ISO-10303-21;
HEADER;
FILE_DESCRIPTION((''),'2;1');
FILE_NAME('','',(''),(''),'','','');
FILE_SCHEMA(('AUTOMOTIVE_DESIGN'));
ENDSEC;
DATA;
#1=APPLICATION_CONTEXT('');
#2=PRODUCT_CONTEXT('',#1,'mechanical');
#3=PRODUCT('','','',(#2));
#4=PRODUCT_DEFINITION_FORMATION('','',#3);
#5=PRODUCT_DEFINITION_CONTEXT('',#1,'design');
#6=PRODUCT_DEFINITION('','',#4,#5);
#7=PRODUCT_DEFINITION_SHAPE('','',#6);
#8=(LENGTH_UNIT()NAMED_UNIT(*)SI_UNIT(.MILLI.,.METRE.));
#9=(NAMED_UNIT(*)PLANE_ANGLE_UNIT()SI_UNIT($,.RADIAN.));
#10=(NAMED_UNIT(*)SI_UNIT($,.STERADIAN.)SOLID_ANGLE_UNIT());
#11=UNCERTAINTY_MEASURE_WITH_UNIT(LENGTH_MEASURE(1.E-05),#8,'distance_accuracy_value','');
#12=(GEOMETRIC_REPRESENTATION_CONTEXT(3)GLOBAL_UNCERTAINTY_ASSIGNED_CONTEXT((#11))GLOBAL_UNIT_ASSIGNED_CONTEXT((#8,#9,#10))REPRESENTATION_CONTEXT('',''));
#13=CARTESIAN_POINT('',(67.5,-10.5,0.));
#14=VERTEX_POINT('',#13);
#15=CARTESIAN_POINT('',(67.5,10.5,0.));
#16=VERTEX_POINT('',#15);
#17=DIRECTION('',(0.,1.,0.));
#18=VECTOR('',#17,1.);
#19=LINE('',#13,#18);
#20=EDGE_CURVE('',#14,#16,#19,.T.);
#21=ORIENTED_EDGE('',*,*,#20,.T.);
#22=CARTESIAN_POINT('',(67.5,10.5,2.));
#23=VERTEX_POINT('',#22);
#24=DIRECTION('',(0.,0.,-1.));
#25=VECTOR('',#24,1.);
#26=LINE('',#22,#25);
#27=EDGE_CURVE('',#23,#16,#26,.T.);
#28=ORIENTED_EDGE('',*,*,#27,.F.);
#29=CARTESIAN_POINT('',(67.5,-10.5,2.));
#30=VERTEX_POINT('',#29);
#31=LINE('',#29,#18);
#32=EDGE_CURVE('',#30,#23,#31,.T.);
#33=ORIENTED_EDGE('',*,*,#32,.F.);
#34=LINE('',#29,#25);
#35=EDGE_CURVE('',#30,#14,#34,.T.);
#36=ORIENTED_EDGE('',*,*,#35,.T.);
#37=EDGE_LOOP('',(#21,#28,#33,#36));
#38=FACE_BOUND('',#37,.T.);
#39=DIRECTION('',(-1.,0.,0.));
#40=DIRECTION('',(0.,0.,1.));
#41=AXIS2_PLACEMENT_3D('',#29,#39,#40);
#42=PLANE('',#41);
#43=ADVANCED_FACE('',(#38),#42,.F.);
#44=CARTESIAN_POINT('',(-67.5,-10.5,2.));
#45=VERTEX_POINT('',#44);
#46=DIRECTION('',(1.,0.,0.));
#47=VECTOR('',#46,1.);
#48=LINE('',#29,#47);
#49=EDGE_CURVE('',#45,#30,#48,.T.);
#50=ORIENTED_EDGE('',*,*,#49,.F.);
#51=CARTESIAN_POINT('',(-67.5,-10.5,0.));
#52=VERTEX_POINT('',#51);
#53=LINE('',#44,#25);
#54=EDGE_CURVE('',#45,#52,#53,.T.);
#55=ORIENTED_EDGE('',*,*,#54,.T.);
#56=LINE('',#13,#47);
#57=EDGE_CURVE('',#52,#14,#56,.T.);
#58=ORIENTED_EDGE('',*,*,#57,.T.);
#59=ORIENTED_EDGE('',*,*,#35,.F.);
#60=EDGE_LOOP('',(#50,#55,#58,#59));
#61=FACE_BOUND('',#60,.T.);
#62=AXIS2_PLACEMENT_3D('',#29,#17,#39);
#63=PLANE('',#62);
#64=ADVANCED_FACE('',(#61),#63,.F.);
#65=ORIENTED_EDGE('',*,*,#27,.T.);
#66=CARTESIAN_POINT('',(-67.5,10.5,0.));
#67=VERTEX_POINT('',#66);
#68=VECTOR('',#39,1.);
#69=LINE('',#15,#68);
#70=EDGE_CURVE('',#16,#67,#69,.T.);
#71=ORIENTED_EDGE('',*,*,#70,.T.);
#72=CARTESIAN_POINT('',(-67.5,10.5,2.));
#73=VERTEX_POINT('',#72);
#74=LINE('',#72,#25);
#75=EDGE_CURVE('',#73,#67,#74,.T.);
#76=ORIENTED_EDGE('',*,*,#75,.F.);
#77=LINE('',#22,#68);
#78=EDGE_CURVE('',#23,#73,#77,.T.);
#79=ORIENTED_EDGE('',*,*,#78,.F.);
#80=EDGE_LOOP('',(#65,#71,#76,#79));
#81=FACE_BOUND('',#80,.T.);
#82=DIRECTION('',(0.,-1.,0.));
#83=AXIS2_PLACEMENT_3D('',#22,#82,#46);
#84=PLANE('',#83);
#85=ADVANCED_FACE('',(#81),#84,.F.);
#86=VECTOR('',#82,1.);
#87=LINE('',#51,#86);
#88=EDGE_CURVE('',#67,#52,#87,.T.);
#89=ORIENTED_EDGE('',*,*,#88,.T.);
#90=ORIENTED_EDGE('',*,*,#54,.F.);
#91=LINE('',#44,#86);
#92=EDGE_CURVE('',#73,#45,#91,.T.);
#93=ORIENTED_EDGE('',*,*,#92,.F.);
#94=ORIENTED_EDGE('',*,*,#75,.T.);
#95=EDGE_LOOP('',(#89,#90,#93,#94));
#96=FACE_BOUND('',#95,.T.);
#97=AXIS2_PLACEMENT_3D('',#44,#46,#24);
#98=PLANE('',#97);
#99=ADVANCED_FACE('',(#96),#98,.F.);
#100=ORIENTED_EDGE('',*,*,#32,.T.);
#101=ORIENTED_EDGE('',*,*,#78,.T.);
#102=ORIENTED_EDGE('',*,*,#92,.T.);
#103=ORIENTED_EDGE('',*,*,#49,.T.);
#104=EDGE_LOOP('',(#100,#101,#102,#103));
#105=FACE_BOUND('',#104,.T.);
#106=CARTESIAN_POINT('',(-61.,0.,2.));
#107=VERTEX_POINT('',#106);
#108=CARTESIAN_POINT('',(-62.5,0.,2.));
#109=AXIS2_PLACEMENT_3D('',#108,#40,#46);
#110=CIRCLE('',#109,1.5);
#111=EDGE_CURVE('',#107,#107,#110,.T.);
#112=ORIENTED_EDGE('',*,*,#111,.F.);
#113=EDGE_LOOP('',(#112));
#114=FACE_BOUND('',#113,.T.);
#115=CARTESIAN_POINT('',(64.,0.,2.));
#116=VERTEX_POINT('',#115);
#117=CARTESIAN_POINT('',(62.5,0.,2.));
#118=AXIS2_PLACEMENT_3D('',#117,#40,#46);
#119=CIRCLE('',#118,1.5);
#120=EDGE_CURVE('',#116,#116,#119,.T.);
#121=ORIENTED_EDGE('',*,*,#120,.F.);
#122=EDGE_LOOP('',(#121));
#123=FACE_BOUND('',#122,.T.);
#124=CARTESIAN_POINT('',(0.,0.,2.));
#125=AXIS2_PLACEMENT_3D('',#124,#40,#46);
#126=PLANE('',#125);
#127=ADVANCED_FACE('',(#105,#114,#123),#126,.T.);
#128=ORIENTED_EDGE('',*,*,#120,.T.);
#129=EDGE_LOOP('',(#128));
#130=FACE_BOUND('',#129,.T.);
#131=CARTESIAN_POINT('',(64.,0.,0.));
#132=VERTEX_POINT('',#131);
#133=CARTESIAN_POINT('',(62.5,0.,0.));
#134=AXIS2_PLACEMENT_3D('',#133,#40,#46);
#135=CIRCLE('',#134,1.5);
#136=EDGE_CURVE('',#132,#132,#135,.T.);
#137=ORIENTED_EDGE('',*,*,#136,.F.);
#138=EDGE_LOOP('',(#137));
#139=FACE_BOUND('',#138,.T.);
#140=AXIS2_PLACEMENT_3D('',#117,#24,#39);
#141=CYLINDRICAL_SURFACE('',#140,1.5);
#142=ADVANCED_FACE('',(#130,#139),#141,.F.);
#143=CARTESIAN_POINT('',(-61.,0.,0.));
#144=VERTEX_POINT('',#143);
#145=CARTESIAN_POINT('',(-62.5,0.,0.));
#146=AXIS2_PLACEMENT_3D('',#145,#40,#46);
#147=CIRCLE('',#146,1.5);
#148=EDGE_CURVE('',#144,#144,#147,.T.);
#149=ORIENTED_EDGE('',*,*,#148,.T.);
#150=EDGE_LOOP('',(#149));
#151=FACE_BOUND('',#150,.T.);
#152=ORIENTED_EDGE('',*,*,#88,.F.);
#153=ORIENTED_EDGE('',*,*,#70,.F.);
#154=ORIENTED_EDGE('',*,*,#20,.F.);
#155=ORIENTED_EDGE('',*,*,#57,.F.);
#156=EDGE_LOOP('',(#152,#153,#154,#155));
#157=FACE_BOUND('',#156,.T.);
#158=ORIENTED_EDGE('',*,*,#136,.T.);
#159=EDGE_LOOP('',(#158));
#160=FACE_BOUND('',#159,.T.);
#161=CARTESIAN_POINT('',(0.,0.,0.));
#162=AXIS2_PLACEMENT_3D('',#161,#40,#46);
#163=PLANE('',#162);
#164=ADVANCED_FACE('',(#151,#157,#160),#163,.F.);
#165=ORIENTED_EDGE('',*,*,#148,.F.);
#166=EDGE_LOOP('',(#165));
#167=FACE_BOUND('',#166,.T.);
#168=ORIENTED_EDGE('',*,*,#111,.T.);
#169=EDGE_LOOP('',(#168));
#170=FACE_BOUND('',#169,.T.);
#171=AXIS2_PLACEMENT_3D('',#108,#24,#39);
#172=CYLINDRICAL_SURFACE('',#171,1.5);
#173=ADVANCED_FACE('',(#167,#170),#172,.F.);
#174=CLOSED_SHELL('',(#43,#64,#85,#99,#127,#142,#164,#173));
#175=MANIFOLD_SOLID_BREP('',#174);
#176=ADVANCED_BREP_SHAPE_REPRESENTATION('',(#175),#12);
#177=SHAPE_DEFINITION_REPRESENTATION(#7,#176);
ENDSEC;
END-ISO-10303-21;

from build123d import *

# Parameters (mm, degrees)
SKETCH1_W           = 135
SKETCH1_H           = 21
SKETCH1_R           = 1.5
BOSS_EXTRUDE1_DEPTH = 2


with BuildPart() as part:
    # Sketch1 → Boss-Extrude1 (new body)
    with BuildSketch(Plane.XY):
        Rectangle(SKETCH1_W, SKETCH1_H)
        with Locations((-62.5, 0)):
            Circle(SKETCH1_R, mode=Mode.SUBTRACT)
        with Locations((62.5, 0)):
            Circle(SKETCH1_R, mode=Mode.SUBTRACT)
    extrude(amount=BOSS_EXTRUDE1_DEPTH)


solid = part.part
